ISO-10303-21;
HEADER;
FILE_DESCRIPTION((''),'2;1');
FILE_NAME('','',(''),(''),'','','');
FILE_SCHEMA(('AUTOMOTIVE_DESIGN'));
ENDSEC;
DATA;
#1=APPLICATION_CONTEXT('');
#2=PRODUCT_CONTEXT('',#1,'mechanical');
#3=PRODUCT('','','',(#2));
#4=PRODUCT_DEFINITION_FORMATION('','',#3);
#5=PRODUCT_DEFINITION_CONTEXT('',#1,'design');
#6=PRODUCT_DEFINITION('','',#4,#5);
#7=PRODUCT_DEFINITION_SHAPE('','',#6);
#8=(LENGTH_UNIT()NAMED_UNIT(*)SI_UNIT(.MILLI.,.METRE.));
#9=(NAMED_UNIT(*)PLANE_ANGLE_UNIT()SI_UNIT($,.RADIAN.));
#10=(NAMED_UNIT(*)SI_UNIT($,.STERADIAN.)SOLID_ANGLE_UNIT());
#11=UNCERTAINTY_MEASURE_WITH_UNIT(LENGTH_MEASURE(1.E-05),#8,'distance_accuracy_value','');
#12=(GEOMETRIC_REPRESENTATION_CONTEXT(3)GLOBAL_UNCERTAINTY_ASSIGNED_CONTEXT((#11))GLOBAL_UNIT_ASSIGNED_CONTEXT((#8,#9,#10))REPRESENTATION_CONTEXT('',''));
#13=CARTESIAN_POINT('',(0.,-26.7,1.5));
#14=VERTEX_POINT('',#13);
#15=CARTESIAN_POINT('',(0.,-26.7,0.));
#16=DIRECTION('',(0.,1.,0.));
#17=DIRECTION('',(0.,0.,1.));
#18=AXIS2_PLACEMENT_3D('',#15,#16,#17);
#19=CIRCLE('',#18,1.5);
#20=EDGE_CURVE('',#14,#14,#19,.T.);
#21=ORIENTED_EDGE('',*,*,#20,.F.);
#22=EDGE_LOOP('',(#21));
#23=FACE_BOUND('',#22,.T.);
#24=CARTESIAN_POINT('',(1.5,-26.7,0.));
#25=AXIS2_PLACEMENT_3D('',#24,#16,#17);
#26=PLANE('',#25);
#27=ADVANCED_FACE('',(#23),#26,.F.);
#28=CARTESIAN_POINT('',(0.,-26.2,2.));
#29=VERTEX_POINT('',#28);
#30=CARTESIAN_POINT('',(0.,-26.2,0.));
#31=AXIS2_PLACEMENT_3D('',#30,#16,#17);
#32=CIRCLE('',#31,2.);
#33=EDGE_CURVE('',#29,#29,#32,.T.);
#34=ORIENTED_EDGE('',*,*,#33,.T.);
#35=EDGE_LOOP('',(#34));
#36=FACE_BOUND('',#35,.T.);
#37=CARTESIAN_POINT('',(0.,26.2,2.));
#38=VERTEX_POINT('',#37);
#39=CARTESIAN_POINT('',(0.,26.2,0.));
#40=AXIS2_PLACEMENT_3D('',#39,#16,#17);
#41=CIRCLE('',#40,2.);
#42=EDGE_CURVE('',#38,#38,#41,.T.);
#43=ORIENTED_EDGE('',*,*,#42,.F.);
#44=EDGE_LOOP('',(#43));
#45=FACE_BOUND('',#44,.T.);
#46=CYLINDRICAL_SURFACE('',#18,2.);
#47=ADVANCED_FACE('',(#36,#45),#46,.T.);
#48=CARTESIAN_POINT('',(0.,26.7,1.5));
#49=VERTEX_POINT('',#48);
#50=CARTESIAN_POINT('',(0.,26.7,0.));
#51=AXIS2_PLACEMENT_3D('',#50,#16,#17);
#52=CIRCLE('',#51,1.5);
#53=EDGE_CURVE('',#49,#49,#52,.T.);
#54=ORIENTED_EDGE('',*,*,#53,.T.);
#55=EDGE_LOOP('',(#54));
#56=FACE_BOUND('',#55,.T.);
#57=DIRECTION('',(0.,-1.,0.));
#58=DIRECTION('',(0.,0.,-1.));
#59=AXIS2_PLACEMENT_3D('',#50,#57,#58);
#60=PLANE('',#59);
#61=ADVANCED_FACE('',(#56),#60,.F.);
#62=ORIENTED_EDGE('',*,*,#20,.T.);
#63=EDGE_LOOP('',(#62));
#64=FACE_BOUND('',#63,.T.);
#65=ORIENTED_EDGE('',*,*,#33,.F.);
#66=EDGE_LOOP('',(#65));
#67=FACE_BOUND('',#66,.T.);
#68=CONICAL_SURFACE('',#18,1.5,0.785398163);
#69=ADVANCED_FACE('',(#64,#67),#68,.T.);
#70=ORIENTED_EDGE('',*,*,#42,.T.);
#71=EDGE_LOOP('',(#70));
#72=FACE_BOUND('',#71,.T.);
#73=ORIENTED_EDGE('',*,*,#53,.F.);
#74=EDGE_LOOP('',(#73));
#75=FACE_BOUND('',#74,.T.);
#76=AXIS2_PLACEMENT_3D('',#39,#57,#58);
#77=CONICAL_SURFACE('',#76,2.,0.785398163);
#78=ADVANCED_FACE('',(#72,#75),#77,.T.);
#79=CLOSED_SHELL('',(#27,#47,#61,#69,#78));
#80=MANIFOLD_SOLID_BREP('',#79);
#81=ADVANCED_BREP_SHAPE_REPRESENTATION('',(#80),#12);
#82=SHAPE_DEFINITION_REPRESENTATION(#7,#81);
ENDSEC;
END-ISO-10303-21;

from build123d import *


with BuildPart() as part:
    # Sketch1 → Revolve1 (revolve)
    with BuildSketch(Plane.XY):
        Polygon((0, 26.7), (1.5, 26.7), (2, 26.2), (2, -26.2), (1.5, -26.7), (0, -26.7), align=None)
    revolve(axis=Axis((0, -26.7, 0), (0, 1, 0)))


solid = part.part
